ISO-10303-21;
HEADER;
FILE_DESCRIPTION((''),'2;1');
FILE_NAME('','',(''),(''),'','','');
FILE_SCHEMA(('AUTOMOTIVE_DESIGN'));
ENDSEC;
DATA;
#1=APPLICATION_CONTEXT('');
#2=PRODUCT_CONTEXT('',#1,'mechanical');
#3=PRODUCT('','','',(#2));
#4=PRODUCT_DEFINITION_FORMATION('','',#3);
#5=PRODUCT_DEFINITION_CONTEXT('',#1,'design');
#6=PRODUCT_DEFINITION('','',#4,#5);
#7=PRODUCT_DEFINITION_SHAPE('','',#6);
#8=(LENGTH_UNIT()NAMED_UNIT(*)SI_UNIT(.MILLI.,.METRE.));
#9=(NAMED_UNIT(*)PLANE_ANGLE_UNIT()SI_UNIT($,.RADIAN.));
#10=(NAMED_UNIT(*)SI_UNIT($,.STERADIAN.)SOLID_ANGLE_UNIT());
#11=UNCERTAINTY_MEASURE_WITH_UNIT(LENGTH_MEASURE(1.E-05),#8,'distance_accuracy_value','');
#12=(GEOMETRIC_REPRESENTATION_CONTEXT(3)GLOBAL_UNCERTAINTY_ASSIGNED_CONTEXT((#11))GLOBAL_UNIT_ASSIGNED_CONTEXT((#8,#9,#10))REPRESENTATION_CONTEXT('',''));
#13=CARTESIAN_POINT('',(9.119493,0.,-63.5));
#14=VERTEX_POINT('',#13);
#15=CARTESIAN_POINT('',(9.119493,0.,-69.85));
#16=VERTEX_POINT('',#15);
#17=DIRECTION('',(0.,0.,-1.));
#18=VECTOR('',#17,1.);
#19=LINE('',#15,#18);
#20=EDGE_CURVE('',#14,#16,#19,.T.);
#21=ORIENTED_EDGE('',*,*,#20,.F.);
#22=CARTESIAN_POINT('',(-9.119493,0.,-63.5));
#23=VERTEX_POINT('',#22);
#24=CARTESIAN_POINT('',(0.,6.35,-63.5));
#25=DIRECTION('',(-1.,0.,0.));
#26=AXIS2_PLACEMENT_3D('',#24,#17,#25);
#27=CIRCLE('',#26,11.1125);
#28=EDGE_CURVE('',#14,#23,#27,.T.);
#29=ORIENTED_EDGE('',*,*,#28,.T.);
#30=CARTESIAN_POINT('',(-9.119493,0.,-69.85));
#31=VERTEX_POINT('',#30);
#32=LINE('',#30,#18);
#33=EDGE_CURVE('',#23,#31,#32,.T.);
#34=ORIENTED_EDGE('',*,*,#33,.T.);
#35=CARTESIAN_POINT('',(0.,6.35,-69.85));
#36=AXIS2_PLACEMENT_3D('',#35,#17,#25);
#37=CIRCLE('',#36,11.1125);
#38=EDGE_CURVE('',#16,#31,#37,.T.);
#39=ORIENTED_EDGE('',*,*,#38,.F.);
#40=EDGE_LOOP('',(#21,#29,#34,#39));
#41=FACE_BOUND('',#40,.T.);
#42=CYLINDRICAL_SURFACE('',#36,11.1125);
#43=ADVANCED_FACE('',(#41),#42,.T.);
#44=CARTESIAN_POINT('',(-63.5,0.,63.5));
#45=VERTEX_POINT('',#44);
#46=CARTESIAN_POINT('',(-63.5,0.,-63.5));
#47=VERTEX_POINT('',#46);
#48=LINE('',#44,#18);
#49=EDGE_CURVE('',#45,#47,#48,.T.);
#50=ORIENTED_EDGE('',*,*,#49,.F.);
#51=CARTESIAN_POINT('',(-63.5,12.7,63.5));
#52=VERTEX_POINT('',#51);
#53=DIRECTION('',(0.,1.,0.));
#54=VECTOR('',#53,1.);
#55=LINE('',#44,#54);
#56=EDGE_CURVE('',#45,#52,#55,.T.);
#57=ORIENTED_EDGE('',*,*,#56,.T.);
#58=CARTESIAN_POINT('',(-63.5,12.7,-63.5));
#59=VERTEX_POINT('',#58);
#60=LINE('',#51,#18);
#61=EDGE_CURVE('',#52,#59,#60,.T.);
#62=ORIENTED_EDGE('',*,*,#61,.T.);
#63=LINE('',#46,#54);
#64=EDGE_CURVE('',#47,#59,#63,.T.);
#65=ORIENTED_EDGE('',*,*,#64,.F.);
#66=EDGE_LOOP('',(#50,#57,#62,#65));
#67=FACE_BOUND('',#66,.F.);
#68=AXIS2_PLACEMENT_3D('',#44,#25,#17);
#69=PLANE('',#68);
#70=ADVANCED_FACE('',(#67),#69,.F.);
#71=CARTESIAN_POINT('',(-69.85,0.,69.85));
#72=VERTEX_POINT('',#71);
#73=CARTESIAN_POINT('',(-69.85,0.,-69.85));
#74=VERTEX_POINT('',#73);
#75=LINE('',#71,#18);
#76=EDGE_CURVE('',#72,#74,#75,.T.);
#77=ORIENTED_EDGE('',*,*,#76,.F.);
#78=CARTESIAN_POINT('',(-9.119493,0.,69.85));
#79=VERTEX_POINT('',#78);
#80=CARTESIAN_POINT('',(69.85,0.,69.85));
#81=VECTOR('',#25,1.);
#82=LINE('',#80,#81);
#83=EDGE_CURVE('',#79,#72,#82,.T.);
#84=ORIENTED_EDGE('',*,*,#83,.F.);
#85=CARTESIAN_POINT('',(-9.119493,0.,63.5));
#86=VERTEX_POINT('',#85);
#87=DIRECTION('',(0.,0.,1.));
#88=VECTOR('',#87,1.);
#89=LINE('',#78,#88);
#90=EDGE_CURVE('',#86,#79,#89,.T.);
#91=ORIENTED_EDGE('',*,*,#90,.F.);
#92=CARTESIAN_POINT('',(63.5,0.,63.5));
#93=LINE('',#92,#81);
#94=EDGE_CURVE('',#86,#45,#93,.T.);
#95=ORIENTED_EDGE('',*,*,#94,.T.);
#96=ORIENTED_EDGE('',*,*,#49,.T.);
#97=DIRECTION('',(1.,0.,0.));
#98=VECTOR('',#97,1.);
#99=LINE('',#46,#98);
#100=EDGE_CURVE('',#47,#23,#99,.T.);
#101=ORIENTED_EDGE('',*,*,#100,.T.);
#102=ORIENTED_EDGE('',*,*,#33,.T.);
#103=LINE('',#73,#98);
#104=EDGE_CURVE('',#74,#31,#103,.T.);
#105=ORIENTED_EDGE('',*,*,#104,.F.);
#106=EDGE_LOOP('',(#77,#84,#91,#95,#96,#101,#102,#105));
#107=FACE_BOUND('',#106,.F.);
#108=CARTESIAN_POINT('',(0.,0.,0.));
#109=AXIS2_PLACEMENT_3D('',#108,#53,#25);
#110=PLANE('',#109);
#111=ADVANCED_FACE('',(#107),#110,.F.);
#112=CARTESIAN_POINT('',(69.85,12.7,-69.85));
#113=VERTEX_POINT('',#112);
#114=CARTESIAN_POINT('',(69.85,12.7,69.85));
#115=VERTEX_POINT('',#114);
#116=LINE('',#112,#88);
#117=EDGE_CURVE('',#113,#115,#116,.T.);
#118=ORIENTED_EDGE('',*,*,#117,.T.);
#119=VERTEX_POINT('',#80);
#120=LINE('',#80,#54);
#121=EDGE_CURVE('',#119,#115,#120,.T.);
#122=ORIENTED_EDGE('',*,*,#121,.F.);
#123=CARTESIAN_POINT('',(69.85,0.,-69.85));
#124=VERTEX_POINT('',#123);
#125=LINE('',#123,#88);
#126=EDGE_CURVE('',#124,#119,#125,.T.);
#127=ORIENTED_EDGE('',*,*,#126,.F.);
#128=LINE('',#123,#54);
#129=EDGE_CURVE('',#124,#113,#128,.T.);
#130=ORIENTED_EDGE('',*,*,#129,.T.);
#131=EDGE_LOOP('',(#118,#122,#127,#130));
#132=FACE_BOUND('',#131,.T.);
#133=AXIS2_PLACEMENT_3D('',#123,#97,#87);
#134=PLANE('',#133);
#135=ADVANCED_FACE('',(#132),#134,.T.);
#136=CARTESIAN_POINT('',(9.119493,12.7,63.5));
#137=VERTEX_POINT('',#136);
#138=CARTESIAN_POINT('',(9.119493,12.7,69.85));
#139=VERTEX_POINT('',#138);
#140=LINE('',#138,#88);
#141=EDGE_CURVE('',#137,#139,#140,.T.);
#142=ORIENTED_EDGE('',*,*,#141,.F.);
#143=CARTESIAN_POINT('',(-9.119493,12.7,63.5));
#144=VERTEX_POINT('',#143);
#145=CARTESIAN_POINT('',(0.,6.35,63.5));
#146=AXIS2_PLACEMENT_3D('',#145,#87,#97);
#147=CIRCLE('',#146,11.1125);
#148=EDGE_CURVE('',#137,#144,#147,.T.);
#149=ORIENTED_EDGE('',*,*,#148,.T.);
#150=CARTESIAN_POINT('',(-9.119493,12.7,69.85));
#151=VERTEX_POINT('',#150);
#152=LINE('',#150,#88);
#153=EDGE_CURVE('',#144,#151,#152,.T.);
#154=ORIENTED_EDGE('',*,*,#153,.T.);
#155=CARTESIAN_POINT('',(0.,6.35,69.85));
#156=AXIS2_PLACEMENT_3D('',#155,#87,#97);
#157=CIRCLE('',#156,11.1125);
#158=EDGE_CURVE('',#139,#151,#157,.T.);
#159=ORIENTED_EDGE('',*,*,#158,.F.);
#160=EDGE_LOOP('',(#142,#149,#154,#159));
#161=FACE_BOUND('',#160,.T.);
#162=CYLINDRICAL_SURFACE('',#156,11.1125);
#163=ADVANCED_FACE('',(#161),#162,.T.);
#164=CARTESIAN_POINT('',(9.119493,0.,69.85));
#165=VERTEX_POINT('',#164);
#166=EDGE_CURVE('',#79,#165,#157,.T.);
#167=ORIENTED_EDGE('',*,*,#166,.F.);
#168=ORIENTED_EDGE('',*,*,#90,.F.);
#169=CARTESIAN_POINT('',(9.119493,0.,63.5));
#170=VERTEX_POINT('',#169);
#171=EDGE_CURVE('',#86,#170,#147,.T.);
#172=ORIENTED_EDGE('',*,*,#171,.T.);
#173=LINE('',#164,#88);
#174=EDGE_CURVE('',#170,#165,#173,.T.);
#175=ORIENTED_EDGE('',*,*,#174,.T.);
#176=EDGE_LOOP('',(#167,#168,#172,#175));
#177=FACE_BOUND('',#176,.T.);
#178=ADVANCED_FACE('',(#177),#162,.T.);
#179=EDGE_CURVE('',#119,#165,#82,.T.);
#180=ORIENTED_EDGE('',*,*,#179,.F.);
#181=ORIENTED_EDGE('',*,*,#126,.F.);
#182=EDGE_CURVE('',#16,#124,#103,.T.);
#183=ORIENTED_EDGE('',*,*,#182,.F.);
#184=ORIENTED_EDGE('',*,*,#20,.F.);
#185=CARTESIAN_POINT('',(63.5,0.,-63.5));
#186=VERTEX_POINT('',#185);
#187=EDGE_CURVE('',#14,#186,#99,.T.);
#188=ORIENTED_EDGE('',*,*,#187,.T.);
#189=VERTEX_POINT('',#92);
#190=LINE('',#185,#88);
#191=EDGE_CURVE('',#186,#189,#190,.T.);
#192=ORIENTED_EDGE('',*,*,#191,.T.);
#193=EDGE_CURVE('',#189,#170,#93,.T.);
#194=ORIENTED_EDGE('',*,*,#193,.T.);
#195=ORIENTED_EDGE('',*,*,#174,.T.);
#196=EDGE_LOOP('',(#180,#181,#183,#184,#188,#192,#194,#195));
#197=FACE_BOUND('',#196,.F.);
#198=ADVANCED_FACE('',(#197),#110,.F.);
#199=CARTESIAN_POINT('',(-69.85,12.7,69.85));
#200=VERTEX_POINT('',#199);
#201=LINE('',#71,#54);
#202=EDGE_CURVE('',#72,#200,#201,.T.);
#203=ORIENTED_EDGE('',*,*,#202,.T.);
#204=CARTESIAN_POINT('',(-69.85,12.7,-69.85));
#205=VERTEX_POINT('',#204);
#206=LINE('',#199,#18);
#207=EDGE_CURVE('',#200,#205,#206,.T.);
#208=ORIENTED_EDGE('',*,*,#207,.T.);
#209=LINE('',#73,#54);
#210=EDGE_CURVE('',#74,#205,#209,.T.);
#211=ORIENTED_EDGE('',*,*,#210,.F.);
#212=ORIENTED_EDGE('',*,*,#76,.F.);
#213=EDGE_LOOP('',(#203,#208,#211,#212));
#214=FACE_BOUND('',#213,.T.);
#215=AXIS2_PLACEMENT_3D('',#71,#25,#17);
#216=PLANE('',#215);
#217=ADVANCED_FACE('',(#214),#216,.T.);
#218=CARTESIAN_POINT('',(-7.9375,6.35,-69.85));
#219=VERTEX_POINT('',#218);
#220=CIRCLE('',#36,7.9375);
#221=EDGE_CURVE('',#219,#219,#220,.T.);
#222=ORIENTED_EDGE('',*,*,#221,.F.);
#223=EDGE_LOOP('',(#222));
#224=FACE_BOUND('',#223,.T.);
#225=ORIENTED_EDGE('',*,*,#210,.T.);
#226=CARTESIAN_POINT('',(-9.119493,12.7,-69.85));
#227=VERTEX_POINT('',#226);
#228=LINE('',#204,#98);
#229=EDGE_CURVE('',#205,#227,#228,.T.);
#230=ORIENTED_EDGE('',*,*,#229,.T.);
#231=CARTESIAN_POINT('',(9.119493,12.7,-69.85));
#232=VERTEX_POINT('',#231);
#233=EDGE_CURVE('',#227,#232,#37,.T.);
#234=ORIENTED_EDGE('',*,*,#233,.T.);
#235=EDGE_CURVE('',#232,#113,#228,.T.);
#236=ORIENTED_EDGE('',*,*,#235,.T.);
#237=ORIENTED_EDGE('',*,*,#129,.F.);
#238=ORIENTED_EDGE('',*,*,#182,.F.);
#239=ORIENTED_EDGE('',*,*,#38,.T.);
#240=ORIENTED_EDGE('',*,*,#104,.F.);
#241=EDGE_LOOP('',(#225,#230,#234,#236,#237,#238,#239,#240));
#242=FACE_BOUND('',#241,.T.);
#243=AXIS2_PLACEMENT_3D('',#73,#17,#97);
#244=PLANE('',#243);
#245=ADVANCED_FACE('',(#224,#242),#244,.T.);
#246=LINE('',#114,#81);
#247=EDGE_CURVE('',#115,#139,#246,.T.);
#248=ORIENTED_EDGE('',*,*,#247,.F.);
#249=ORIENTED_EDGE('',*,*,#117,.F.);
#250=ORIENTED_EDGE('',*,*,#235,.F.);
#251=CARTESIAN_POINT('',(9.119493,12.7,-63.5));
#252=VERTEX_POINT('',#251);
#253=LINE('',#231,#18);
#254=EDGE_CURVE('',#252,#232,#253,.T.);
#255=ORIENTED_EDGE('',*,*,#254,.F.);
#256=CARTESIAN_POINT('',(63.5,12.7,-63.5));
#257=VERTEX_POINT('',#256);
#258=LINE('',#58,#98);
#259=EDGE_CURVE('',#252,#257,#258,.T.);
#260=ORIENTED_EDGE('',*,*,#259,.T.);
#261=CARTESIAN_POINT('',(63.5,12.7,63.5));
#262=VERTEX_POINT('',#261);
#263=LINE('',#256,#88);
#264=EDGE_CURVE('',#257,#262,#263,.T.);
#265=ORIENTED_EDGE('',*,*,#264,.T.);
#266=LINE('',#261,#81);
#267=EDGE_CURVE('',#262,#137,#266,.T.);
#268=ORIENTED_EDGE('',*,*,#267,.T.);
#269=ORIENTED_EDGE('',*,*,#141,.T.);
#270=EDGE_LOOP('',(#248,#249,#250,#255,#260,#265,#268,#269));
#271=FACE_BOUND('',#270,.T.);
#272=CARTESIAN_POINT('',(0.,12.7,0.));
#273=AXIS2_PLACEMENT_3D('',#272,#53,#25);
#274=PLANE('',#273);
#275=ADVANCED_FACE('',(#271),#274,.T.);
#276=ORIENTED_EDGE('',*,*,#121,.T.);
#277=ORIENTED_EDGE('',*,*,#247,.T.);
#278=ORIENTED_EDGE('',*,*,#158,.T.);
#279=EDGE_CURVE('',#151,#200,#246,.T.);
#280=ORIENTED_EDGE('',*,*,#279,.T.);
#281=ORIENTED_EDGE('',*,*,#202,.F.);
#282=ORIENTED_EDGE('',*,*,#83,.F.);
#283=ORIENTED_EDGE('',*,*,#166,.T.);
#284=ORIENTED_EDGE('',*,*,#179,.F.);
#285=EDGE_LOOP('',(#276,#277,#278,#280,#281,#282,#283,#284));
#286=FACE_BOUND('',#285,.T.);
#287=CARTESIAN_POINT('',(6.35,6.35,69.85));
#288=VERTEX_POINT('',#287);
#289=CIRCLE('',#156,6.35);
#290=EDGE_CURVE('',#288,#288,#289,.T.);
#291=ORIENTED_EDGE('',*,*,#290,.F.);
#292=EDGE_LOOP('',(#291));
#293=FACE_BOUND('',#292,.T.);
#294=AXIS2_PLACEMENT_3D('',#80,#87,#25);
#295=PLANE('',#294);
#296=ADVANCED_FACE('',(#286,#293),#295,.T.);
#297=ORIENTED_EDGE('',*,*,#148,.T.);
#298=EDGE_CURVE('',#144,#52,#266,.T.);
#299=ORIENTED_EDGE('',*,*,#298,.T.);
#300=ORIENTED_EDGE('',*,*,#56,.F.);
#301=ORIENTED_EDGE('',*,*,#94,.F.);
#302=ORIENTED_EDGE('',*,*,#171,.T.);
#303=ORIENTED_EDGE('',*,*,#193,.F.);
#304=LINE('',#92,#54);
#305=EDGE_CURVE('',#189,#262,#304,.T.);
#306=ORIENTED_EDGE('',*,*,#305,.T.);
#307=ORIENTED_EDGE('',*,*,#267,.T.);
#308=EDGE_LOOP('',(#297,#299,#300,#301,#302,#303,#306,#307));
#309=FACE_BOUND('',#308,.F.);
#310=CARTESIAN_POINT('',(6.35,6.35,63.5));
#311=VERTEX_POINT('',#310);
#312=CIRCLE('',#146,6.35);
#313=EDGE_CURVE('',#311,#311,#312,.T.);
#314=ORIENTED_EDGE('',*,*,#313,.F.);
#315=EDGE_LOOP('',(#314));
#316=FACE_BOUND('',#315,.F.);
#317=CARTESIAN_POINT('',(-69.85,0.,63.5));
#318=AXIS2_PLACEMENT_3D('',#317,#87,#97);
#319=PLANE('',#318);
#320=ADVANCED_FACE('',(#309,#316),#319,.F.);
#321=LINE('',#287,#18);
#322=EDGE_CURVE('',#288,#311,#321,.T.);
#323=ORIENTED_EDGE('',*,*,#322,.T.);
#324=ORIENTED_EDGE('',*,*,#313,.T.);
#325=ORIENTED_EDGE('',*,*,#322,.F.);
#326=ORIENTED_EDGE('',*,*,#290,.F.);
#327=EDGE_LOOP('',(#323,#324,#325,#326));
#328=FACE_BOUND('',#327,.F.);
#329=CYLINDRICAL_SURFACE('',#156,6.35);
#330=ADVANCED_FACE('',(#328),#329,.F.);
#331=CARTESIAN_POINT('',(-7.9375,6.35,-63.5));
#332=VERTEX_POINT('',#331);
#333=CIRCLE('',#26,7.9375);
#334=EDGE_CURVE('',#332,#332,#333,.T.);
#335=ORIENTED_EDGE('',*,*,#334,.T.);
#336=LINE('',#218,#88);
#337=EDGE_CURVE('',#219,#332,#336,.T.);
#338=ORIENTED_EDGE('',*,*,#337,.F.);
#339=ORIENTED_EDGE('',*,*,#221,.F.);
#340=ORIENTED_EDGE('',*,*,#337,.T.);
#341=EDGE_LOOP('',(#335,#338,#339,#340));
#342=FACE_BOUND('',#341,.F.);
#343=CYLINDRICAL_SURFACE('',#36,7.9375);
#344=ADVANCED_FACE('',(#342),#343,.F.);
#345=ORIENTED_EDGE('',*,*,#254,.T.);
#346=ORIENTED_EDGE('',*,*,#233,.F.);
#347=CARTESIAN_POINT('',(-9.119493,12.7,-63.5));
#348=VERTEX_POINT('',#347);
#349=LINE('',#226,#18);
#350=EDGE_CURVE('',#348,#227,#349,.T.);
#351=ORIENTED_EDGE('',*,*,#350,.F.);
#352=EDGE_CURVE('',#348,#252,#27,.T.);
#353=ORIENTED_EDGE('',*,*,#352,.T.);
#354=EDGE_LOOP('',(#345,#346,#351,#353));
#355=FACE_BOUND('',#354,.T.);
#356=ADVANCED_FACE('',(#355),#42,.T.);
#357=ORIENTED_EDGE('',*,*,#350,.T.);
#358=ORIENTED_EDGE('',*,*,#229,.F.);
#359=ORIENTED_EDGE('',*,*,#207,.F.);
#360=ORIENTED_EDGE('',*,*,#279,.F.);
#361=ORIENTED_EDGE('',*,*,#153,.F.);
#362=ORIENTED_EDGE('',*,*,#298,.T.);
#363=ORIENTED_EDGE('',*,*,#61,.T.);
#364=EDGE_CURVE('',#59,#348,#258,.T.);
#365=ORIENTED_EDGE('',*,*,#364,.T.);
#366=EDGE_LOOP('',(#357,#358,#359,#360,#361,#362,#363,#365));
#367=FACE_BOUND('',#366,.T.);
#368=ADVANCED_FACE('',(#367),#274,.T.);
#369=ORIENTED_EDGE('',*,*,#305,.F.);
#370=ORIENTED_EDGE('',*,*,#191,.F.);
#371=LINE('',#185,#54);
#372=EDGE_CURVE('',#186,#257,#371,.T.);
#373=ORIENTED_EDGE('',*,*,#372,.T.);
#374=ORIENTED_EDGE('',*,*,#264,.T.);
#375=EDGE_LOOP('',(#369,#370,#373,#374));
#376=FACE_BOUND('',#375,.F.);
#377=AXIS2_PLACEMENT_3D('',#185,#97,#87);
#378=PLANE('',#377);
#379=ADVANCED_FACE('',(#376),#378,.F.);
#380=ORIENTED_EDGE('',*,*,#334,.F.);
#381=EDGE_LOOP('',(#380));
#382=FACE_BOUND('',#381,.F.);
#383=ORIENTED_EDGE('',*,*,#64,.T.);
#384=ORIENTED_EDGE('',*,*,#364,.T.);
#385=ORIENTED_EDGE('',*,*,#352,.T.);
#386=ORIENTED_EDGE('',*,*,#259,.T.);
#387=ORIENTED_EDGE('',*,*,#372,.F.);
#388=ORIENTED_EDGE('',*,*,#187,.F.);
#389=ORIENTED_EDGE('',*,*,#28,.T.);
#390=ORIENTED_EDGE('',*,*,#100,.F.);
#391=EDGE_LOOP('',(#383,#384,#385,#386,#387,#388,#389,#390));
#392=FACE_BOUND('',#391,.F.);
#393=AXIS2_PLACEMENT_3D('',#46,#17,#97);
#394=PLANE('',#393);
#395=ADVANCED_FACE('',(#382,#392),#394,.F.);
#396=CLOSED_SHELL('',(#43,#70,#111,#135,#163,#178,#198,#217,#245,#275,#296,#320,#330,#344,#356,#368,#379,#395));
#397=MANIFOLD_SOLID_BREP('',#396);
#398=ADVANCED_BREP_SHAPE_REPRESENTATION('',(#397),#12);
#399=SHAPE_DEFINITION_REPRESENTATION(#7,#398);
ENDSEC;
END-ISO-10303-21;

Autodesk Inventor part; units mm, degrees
ref_plane "YZ Plane" through (0, 0, 0) normal (1, 0, 0) x (0, 1, 0)
ref_plane "XZ Plane" through (0, 0, 0) normal (0, 1, 0) x (-1, 0, 0)
ref_plane "XY Plane" through (0, 0, 0) normal (0, 0, 1) x (1, 0, 0)
sketch "Sketch1" plane through (0, 0, 0) normal (0, 1, 0) x (-1, 0, 0)
  line L0 (-63.5, 63.5) -> (63.5, 63.5)
  line L1 (63.5, 63.5) -> (63.5, -63.5)
  line L2 (63.5, -63.5) -> (-63.5, -63.5)
  line L3 (-63.5, -63.5) -> (-63.5, 63.5)
  line L4 (-63.5, 63.5) -> (63.5, -63.5) construction
  line L5 (63.5, 63.5) -> (-63.5, -63.5) construction
  line L6 (-69.85, 69.85) -> (69.85, 69.85)
  line L7 (69.85, 69.85) -> (69.85, -69.85)
  line L8 (69.85, -69.85) -> (-69.85, -69.85)
  line L9 (-69.85, -69.85) -> (-69.85, 69.85)
  line L10 (-69.85, 69.85) -> (69.85, -69.85) construction
  line L11 (69.85, 69.85) -> (-69.85, -69.85) construction
  point P0 (0, 0)
  dimension "d0" = 127
  dimension "d1" = 127
  dimension "d2" = 139.7
  dimension "d3" = 139.7
extrude "Extrusion1" add sketch "Sketch1" along normal blind 12.7
sketch "Sketch2" plane through (69.85, 0, -69.85) normal (0, 0, -1) x (-1, 0, 0)
  circle A0 centre (69.85, 6.35) radius 11.1125
  line L0 (0, 0) -> (0, 12.7) construction
  line L1 (0, 6.35) -> (69.85, 6.35) construction
  line L2 (69.85, 6.35) -> (139.7, 6.35) construction
  line L3 (139.7, 0) -> (139.7, 12.7) construction
  point P0 (69.85, 0)
  dimension "d6" = 22.225
extrude "Extrusion2" add sketch "Sketch2" against normal up to surface (6.35 mm away)
sketch "Sketch3" plane through (69.85, 0, -69.85) normal (0, 0, -1) x (-1, 0, 0)
  circle A0 centre (69.85, 6.35) radius 7.9375
  line L0 (0, 0) -> (0, 12.7) construction
  line L1 (0, 6.35) -> (69.85, 6.35) construction
  line L2 (69.85, 6.35) -> (139.7, 6.35) construction
  line L3 (139.7, 0) -> (139.7, 12.7) construction
  point P0 (69.85, 0)
  dimension "d9" = 15.875
extrude "Extrusion3" cut sketch "Sketch3" against normal up to next
sketch "Sketch4" plane through (-69.85, 0, 69.85) normal (0, 0, 1) x (1, 0, 0)
  circle A0 centre (69.85, 6.35) radius 11.1125
  line L0 (0, 0) -> (0, 12.7) construction
  line L1 (0, 6.35) -> (69.85, 6.35) construction
  line L2 (69.85, 6.35) -> (139.7, 6.35) construction
  line L3 (139.7, 0) -> (139.7, 12.7) construction
  point P0 (69.85, 0)
  dimension "d12" = 22.225
extrude "Extrusion4" add sketch "Sketch4" against normal up to surface (6.35 mm away)
sketch "Sketch5" plane through (-69.85, 0, 69.85) normal (0, 0, 1) x (1, 0, 0)
  circle A0 centre (69.85, 6.35) radius 6.35
  line L0 (0, 0) -> (0, 12.7) construction
  line L1 (0, 6.35) -> (69.85, 6.35) construction
  line L2 (69.85, 6.35) -> (139.7, 6.35) construction
  line L3 (139.7, 0) -> (139.7, 12.7) construction
  point P0 (69.85, 0)
  dimension "d15" = 12.7
extrude "Extrusion5" cut sketch "Sketch5" against normal up to next
properties part number "joystick_mount"
